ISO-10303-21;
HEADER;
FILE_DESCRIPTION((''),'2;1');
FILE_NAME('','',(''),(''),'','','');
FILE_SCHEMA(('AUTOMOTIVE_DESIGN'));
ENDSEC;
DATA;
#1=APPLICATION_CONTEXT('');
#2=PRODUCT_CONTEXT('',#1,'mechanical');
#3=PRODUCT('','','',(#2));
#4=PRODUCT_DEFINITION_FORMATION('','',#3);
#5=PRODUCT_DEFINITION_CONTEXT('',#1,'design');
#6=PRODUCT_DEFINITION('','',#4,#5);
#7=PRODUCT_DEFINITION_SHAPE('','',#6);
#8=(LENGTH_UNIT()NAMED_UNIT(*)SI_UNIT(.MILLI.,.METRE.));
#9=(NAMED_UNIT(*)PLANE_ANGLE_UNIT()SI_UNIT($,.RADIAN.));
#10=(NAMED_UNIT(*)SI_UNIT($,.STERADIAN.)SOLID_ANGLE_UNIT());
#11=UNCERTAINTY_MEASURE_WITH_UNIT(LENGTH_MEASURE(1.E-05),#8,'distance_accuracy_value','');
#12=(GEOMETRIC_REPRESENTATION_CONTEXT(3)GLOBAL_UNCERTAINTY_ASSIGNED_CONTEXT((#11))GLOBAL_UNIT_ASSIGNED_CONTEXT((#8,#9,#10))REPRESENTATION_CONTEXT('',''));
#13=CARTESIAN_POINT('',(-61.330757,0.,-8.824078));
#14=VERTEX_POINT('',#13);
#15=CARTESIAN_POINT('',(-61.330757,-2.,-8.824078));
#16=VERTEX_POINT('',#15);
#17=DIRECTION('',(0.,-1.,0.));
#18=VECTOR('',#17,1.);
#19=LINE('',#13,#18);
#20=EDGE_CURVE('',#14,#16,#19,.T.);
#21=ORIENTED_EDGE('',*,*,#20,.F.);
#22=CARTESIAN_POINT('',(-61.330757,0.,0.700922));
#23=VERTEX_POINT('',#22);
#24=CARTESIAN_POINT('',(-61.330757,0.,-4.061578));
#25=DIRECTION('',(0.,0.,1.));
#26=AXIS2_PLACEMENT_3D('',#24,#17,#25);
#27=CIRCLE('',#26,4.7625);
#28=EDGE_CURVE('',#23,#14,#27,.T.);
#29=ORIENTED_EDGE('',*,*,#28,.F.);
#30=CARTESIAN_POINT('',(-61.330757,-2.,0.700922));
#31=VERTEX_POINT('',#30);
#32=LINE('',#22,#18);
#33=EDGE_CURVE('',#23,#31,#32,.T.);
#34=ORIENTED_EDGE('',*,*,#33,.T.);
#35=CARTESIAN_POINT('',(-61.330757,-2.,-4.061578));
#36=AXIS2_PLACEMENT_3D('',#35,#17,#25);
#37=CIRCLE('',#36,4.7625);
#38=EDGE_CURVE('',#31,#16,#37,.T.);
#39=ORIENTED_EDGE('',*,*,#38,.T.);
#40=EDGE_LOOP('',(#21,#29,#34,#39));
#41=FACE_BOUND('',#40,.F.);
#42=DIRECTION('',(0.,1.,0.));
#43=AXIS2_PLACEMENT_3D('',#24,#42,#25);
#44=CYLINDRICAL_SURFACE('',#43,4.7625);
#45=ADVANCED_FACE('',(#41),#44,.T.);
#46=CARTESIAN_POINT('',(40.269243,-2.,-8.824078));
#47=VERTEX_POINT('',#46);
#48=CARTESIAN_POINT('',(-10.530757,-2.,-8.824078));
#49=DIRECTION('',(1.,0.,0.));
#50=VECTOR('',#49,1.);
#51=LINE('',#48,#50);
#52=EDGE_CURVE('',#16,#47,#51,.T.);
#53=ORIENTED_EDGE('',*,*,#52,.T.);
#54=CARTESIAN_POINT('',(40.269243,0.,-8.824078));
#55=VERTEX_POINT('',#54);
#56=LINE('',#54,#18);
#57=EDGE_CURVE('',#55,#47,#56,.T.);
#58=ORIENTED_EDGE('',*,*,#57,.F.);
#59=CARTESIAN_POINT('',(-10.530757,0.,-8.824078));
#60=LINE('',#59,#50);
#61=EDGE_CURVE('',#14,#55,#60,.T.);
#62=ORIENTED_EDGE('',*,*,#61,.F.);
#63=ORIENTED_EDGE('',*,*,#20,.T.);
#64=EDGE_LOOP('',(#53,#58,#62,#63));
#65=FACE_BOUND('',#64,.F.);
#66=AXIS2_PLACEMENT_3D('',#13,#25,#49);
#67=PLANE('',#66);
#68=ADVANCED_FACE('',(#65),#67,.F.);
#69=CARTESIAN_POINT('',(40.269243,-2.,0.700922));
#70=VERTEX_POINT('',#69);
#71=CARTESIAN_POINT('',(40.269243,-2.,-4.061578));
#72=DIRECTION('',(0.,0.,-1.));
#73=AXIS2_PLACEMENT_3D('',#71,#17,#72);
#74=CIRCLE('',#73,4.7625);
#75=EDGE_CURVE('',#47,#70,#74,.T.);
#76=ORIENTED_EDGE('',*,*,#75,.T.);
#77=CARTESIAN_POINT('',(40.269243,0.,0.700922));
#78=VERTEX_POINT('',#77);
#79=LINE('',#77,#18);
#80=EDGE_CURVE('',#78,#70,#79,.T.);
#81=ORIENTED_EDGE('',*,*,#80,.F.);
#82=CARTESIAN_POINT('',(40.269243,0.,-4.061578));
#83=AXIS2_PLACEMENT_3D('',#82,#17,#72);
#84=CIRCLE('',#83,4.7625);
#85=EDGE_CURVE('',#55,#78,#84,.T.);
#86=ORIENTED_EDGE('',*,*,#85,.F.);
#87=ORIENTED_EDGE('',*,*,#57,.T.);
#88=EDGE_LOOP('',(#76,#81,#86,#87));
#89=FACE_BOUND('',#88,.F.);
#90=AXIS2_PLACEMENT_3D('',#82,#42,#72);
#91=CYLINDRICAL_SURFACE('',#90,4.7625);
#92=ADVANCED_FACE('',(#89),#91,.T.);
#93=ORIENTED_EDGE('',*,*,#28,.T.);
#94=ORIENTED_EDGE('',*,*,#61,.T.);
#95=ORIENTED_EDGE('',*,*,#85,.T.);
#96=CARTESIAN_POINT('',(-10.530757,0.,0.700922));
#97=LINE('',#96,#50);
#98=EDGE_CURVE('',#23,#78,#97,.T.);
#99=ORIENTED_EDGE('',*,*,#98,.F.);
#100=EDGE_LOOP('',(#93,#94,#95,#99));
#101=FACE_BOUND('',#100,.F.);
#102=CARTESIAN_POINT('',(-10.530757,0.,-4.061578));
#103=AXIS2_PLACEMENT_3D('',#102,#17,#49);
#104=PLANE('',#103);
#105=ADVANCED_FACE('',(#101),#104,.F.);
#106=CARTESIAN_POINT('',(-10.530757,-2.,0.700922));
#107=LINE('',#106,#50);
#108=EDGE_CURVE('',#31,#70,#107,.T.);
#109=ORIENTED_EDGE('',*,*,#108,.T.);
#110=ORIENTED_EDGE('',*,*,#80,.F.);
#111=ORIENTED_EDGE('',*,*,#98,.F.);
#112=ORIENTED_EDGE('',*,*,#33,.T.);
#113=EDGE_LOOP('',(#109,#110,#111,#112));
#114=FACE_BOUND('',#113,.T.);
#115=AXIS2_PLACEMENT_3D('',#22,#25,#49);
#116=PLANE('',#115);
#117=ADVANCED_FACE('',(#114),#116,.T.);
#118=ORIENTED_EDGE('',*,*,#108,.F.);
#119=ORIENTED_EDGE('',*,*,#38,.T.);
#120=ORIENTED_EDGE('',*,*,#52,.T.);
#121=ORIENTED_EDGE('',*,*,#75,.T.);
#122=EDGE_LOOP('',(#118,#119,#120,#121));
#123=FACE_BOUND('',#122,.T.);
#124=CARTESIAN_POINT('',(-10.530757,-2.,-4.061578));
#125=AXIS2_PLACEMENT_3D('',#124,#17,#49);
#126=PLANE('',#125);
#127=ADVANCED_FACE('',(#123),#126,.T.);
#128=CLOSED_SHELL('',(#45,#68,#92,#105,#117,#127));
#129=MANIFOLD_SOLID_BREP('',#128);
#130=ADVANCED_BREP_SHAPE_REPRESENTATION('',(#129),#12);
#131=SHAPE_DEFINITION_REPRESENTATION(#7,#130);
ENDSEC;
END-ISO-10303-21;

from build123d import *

# Parameters (mm, degrees)
F0_W     = 101.6
F0_H     = 9.525
F1_DEPTH = 2


with BuildPart() as f1:
    # F0 (on Front) → F1 (new body)
    with BuildSketch(Plane.XZ):
        with Locations((-10.530757, -4.061578)):
            Rectangle(F0_W, F0_H)
        with BuildLine():
            Line((-61.330757, -8.824078), (-61.330757, 0.700922))
            ThreePointArc((-61.330757, 0.700922), (-66.093257, -4.061578), (-61.330757, -8.824078))
        make_face()
        with BuildLine():
            ThreePointArc((40.269243, -8.824078), (45.031743, -4.061578), (40.269243, 0.700922))
            Line((40.269243, 0.700922), (40.269243, -8.824078))
        make_face()
    extrude(amount=F1_DEPTH)


solid = f1.part
